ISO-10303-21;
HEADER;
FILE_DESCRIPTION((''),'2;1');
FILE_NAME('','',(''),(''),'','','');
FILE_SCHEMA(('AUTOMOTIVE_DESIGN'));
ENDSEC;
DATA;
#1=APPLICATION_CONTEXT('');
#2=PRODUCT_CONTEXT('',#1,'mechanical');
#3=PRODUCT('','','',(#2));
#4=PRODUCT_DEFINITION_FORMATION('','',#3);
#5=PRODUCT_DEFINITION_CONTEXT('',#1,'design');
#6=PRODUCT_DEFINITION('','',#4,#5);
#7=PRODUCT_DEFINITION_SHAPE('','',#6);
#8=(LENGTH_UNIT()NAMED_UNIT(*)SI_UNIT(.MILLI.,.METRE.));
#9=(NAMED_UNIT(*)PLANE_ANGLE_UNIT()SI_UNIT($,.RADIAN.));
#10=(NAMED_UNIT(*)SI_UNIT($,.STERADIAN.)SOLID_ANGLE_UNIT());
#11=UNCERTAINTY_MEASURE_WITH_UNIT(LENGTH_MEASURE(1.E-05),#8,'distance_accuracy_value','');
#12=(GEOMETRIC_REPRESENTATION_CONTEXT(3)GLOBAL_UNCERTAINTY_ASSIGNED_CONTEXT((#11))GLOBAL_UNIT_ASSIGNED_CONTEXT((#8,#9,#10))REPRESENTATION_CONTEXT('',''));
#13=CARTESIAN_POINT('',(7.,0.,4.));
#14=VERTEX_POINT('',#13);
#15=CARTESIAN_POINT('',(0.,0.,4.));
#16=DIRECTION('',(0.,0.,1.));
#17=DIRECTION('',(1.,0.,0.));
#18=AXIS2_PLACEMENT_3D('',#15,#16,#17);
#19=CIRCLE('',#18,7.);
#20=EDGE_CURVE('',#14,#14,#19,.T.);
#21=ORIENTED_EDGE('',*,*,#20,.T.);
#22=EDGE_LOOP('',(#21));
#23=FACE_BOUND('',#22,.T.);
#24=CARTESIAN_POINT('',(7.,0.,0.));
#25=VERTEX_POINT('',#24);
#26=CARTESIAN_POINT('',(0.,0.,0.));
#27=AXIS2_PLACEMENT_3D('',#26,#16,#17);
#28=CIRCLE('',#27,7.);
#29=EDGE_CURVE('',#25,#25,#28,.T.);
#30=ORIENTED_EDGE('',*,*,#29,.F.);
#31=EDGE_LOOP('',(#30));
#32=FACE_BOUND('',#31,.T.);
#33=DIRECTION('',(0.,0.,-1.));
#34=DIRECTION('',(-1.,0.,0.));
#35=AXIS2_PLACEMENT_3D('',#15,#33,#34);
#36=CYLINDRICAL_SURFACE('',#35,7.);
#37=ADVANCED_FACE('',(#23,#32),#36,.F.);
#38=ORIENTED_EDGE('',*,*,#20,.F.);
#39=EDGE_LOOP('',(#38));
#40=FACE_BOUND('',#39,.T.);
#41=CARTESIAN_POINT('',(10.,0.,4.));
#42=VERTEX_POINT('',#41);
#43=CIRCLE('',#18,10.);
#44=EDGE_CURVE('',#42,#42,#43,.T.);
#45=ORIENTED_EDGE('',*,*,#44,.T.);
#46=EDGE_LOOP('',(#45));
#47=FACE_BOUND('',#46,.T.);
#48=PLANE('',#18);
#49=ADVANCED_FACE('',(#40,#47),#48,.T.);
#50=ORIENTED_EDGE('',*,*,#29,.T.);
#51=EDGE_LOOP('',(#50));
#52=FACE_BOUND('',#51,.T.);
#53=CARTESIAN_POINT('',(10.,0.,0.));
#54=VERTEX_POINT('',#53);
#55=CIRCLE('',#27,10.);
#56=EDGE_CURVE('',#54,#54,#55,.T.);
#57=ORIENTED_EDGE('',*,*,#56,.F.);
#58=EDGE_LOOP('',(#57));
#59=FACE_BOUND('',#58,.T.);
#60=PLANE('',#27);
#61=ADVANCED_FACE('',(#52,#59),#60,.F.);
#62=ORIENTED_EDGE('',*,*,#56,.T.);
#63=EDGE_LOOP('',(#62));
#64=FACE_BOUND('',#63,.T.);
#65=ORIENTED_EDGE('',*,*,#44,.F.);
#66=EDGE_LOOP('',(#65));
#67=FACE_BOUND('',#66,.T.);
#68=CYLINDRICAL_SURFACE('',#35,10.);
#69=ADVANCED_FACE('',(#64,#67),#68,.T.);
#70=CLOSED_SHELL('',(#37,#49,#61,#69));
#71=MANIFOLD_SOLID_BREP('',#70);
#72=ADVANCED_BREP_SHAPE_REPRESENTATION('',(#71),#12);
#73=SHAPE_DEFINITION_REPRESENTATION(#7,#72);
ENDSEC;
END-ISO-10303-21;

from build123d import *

# Parameters (mm, degrees)
SKETCH1_R           = 10
SKETCH1_R_2         = 7
BOSS_EXTRUDE1_DEPTH = 4


with BuildPart() as part:
    # Sketch1 → Boss-Extrude1 (new body)
    with BuildSketch(Plane.XY):
        Circle(SKETCH1_R)
        Circle(SKETCH1_R_2, mode=Mode.SUBTRACT)
    extrude(amount=BOSS_EXTRUDE1_DEPTH)


solid = part.part
